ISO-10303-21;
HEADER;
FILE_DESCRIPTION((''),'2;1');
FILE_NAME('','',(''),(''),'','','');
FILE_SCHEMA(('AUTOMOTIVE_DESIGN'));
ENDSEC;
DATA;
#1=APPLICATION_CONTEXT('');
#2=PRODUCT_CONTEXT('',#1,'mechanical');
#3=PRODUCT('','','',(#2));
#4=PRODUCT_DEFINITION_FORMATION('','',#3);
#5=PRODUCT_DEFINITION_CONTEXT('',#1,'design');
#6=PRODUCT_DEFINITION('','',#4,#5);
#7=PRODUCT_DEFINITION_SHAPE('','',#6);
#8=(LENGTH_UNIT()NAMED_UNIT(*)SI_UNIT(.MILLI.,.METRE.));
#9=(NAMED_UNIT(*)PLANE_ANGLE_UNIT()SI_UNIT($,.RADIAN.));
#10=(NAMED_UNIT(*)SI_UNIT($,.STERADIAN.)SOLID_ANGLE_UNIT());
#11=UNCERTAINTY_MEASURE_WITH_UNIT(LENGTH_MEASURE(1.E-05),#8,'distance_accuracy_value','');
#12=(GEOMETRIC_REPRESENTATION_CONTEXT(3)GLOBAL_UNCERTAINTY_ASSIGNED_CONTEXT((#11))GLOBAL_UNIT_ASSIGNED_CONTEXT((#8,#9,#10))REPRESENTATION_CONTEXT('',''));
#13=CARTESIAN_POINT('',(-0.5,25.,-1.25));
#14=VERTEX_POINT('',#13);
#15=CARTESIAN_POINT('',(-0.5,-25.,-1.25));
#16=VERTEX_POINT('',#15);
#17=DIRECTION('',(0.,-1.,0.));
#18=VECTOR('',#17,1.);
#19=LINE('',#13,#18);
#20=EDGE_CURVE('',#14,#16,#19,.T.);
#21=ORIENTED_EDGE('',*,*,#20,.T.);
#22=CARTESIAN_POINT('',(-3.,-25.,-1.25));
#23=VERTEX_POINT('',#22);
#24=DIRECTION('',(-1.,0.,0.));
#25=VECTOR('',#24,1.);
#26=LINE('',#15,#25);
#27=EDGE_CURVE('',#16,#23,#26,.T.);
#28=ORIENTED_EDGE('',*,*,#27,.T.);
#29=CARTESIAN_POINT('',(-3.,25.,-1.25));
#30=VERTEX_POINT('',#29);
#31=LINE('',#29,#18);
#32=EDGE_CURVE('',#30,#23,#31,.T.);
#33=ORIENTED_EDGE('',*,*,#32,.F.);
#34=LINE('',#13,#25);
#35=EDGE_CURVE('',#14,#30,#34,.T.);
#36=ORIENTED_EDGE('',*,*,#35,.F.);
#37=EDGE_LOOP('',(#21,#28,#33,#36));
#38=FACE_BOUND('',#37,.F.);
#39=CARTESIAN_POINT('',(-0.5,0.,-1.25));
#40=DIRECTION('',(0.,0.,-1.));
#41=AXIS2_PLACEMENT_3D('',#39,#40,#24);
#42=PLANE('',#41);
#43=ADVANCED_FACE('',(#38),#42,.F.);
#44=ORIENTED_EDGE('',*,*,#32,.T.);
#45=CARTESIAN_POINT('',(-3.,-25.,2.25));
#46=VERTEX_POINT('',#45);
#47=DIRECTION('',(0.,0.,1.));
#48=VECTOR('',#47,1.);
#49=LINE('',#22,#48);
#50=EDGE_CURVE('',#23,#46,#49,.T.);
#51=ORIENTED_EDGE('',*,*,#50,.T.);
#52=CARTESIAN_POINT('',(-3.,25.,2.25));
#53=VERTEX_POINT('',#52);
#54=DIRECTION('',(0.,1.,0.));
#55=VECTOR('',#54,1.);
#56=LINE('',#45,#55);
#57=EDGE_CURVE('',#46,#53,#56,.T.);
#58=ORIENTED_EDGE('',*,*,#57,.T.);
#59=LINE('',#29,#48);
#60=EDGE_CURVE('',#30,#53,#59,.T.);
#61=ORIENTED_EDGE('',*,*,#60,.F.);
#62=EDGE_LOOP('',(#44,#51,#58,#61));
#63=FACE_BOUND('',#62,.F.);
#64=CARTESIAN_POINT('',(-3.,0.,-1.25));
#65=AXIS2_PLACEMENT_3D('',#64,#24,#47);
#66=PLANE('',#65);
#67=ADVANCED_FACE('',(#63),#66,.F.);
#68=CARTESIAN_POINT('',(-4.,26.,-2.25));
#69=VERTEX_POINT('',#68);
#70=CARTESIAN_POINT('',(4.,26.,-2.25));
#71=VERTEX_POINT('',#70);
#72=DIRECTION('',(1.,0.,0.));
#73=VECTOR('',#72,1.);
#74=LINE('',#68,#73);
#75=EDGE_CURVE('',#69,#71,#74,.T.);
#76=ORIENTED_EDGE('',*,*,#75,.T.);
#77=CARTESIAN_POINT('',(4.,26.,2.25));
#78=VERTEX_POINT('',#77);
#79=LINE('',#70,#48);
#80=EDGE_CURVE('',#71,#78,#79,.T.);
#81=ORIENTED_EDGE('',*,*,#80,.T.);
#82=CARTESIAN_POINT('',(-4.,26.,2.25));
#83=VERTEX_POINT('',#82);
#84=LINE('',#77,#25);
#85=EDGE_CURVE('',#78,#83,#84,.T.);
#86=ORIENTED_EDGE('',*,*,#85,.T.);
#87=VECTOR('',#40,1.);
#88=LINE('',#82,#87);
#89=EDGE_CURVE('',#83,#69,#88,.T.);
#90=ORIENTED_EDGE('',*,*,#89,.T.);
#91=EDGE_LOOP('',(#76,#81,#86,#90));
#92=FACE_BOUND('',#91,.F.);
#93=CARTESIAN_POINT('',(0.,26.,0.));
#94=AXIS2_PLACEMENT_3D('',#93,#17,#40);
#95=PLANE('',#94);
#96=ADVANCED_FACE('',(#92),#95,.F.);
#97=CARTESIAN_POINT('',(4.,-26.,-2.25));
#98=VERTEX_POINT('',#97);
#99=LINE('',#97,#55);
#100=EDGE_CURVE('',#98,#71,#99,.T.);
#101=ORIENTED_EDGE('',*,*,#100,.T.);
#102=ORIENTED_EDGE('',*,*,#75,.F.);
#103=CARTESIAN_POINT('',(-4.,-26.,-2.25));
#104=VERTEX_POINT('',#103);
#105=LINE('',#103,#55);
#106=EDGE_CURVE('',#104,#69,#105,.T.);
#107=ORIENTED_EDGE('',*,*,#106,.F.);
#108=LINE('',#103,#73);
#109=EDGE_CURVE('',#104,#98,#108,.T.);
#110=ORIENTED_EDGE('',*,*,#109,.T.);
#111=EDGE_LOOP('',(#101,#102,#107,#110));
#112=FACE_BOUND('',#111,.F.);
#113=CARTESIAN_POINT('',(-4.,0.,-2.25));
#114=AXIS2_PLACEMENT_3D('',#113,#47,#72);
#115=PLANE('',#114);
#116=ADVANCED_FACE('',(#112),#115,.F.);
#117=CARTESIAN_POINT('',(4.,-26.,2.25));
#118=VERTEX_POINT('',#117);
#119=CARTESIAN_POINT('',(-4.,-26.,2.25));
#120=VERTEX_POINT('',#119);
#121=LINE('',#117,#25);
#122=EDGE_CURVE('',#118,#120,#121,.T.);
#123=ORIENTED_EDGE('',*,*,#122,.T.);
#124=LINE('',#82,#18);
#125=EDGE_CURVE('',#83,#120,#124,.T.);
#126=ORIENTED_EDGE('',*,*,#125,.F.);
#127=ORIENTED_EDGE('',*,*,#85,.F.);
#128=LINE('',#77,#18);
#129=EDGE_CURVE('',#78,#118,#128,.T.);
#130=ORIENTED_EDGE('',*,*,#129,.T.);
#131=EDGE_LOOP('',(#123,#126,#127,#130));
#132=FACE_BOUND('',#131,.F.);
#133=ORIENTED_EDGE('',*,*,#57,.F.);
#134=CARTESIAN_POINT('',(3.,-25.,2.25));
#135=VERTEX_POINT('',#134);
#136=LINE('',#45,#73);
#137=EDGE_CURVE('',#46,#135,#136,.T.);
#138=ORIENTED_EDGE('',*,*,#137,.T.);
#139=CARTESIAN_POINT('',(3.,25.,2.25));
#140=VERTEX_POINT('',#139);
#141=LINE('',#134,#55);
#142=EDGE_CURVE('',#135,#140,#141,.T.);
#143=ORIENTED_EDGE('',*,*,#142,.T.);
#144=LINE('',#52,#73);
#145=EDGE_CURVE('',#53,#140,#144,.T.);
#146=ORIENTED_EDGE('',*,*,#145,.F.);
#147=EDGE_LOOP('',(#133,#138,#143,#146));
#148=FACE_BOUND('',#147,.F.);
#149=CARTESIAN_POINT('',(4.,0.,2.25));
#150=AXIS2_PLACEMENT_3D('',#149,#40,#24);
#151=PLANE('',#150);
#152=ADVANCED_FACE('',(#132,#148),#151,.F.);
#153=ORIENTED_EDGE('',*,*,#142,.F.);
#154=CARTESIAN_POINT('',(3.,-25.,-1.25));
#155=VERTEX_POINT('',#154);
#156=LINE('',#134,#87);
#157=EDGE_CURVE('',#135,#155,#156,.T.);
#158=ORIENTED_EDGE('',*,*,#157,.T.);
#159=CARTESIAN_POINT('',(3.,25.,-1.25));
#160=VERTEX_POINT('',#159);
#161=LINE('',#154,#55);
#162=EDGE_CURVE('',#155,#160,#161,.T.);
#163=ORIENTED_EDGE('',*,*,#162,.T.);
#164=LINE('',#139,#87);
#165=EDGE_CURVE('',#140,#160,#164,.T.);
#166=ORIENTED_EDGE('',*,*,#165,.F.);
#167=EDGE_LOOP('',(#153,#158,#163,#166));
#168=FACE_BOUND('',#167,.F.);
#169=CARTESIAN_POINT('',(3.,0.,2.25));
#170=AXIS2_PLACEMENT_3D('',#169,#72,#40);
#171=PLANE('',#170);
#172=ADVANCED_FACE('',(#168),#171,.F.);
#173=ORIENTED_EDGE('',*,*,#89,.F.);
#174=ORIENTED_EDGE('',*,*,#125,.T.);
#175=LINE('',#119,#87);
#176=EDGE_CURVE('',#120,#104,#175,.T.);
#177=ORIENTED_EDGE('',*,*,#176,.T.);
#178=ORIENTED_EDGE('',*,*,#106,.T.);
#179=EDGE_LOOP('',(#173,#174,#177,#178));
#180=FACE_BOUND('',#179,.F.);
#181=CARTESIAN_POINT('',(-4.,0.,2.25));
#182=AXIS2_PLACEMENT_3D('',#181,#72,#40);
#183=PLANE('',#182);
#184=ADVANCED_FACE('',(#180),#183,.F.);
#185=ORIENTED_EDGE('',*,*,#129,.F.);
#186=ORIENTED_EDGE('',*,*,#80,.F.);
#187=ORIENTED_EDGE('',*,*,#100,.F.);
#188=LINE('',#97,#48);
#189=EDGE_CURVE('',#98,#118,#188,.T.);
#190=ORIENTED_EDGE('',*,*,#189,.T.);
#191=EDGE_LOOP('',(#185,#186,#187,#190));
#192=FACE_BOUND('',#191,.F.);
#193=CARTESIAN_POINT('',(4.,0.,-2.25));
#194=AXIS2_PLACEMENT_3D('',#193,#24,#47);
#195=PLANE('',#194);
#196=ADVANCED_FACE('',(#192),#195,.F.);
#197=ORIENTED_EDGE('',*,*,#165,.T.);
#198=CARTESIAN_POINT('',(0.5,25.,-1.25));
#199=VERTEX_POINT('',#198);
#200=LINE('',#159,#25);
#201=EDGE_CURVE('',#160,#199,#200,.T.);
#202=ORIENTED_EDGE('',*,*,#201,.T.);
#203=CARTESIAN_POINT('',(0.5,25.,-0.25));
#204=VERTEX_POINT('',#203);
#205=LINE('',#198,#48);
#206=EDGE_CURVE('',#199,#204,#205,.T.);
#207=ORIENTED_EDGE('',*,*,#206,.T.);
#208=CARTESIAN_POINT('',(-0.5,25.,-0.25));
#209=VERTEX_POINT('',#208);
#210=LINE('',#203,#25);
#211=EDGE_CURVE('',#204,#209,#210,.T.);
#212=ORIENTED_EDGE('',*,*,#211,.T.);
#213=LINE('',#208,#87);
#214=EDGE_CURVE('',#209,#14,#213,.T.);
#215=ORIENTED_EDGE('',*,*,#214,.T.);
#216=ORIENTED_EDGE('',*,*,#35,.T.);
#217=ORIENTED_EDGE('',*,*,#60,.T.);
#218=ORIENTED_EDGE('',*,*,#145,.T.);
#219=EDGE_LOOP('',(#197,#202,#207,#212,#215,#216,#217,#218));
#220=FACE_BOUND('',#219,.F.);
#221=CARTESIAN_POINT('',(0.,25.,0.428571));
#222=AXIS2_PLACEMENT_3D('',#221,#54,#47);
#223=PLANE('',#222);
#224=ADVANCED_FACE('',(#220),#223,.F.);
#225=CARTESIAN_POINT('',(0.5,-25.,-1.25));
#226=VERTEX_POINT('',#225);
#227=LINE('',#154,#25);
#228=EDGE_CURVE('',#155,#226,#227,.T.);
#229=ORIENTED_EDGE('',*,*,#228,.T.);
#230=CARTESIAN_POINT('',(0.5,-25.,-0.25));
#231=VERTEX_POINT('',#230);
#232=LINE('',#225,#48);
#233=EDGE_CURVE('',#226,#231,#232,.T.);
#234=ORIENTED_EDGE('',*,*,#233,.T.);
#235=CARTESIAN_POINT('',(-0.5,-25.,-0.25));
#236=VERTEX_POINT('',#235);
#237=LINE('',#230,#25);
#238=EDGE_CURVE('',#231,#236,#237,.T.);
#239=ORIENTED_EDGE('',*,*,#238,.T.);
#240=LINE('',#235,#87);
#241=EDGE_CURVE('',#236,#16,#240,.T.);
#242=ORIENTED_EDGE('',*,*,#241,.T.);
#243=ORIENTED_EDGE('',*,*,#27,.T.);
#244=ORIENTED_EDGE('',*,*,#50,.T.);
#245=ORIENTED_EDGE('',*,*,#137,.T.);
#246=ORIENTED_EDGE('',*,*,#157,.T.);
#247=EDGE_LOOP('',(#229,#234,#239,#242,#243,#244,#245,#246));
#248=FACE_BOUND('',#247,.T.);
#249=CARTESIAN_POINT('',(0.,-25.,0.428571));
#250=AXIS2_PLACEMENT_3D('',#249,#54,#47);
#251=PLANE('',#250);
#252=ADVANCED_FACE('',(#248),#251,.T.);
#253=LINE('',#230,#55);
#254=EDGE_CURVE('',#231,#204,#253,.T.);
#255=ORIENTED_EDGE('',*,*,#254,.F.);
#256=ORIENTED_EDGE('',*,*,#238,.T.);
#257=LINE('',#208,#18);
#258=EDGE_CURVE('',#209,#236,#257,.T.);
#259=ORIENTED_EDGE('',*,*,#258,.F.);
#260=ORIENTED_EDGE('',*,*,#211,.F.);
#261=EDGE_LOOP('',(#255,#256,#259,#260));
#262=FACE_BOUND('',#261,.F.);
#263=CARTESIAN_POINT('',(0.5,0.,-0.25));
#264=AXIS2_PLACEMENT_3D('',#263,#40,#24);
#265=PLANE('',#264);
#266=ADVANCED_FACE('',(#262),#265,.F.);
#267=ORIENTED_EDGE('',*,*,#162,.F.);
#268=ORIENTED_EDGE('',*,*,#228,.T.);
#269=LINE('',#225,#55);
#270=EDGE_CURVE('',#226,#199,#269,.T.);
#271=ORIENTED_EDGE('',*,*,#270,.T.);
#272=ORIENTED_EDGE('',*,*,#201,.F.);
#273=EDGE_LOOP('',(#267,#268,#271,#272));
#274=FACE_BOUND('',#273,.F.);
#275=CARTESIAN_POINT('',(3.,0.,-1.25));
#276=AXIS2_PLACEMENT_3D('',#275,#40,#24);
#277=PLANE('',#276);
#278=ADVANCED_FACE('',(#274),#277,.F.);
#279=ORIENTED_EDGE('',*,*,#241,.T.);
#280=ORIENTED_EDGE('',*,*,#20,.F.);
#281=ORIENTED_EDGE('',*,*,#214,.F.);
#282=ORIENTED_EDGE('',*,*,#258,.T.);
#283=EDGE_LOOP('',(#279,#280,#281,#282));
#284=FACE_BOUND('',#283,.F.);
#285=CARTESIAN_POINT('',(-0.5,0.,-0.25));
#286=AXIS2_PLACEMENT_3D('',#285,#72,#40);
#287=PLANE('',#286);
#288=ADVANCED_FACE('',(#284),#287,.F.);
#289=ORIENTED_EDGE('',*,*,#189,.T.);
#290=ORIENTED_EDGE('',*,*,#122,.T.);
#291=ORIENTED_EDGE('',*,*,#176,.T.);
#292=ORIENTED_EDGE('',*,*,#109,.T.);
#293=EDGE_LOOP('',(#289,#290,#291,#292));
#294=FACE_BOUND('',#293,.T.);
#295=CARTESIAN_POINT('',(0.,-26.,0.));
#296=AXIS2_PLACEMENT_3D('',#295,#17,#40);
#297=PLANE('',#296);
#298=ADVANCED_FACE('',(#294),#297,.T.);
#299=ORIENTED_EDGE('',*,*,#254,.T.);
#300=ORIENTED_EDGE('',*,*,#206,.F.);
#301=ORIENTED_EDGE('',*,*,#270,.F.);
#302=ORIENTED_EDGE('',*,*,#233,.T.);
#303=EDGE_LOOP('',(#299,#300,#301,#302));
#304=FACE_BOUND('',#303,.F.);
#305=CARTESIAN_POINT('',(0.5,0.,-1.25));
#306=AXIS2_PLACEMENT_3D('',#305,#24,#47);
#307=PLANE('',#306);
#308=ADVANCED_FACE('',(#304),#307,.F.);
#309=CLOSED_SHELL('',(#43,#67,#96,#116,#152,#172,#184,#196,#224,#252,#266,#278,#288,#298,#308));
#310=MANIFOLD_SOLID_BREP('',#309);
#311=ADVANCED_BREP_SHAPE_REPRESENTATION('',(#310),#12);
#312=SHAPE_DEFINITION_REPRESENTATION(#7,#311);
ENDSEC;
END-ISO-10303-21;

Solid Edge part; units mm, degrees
sketch "Sketch1" plane through (0, 0, 0) normal (0, -1, 0) x (1, 0, 0)
  line L0 (4, -2.25) -> (4, 2.25)
  line L1 (4, 2.25) -> (-4, 2.25)
  line L2 (-4, 2.25) -> (-4, -2.25)
  line L3 (-4, -2.25) -> (4, -2.25)
extrude "Protrusion1" add sketch "Sketch1" along normal mid plane 52
sketch "Sketch2" plane through (0, 0, 0) normal (0, -1, 0) x (1, 0, 0)
  line L0 (-3, -1.25) -> (-3, 2.25)
  line L1 (-3, 2.25) -> (3, 2.25)
  line L2 (3, 2.25) -> (3, -1.25)
  line L3 (3, -1.25) -> (0.5, -1.25)
  line L4 (0.5, -1.25) -> (0.5, -0.25)
  line L5 (0.5, -0.25) -> (-0.5, -0.25)
  line L6 (-0.5, -0.25) -> (-0.5, -1.25)
  line L7 (-0.5, -1.25) -> (-3, -1.25)
extrude "Cutout1" cut sketch "Sketch2" along normal mid plane 50
